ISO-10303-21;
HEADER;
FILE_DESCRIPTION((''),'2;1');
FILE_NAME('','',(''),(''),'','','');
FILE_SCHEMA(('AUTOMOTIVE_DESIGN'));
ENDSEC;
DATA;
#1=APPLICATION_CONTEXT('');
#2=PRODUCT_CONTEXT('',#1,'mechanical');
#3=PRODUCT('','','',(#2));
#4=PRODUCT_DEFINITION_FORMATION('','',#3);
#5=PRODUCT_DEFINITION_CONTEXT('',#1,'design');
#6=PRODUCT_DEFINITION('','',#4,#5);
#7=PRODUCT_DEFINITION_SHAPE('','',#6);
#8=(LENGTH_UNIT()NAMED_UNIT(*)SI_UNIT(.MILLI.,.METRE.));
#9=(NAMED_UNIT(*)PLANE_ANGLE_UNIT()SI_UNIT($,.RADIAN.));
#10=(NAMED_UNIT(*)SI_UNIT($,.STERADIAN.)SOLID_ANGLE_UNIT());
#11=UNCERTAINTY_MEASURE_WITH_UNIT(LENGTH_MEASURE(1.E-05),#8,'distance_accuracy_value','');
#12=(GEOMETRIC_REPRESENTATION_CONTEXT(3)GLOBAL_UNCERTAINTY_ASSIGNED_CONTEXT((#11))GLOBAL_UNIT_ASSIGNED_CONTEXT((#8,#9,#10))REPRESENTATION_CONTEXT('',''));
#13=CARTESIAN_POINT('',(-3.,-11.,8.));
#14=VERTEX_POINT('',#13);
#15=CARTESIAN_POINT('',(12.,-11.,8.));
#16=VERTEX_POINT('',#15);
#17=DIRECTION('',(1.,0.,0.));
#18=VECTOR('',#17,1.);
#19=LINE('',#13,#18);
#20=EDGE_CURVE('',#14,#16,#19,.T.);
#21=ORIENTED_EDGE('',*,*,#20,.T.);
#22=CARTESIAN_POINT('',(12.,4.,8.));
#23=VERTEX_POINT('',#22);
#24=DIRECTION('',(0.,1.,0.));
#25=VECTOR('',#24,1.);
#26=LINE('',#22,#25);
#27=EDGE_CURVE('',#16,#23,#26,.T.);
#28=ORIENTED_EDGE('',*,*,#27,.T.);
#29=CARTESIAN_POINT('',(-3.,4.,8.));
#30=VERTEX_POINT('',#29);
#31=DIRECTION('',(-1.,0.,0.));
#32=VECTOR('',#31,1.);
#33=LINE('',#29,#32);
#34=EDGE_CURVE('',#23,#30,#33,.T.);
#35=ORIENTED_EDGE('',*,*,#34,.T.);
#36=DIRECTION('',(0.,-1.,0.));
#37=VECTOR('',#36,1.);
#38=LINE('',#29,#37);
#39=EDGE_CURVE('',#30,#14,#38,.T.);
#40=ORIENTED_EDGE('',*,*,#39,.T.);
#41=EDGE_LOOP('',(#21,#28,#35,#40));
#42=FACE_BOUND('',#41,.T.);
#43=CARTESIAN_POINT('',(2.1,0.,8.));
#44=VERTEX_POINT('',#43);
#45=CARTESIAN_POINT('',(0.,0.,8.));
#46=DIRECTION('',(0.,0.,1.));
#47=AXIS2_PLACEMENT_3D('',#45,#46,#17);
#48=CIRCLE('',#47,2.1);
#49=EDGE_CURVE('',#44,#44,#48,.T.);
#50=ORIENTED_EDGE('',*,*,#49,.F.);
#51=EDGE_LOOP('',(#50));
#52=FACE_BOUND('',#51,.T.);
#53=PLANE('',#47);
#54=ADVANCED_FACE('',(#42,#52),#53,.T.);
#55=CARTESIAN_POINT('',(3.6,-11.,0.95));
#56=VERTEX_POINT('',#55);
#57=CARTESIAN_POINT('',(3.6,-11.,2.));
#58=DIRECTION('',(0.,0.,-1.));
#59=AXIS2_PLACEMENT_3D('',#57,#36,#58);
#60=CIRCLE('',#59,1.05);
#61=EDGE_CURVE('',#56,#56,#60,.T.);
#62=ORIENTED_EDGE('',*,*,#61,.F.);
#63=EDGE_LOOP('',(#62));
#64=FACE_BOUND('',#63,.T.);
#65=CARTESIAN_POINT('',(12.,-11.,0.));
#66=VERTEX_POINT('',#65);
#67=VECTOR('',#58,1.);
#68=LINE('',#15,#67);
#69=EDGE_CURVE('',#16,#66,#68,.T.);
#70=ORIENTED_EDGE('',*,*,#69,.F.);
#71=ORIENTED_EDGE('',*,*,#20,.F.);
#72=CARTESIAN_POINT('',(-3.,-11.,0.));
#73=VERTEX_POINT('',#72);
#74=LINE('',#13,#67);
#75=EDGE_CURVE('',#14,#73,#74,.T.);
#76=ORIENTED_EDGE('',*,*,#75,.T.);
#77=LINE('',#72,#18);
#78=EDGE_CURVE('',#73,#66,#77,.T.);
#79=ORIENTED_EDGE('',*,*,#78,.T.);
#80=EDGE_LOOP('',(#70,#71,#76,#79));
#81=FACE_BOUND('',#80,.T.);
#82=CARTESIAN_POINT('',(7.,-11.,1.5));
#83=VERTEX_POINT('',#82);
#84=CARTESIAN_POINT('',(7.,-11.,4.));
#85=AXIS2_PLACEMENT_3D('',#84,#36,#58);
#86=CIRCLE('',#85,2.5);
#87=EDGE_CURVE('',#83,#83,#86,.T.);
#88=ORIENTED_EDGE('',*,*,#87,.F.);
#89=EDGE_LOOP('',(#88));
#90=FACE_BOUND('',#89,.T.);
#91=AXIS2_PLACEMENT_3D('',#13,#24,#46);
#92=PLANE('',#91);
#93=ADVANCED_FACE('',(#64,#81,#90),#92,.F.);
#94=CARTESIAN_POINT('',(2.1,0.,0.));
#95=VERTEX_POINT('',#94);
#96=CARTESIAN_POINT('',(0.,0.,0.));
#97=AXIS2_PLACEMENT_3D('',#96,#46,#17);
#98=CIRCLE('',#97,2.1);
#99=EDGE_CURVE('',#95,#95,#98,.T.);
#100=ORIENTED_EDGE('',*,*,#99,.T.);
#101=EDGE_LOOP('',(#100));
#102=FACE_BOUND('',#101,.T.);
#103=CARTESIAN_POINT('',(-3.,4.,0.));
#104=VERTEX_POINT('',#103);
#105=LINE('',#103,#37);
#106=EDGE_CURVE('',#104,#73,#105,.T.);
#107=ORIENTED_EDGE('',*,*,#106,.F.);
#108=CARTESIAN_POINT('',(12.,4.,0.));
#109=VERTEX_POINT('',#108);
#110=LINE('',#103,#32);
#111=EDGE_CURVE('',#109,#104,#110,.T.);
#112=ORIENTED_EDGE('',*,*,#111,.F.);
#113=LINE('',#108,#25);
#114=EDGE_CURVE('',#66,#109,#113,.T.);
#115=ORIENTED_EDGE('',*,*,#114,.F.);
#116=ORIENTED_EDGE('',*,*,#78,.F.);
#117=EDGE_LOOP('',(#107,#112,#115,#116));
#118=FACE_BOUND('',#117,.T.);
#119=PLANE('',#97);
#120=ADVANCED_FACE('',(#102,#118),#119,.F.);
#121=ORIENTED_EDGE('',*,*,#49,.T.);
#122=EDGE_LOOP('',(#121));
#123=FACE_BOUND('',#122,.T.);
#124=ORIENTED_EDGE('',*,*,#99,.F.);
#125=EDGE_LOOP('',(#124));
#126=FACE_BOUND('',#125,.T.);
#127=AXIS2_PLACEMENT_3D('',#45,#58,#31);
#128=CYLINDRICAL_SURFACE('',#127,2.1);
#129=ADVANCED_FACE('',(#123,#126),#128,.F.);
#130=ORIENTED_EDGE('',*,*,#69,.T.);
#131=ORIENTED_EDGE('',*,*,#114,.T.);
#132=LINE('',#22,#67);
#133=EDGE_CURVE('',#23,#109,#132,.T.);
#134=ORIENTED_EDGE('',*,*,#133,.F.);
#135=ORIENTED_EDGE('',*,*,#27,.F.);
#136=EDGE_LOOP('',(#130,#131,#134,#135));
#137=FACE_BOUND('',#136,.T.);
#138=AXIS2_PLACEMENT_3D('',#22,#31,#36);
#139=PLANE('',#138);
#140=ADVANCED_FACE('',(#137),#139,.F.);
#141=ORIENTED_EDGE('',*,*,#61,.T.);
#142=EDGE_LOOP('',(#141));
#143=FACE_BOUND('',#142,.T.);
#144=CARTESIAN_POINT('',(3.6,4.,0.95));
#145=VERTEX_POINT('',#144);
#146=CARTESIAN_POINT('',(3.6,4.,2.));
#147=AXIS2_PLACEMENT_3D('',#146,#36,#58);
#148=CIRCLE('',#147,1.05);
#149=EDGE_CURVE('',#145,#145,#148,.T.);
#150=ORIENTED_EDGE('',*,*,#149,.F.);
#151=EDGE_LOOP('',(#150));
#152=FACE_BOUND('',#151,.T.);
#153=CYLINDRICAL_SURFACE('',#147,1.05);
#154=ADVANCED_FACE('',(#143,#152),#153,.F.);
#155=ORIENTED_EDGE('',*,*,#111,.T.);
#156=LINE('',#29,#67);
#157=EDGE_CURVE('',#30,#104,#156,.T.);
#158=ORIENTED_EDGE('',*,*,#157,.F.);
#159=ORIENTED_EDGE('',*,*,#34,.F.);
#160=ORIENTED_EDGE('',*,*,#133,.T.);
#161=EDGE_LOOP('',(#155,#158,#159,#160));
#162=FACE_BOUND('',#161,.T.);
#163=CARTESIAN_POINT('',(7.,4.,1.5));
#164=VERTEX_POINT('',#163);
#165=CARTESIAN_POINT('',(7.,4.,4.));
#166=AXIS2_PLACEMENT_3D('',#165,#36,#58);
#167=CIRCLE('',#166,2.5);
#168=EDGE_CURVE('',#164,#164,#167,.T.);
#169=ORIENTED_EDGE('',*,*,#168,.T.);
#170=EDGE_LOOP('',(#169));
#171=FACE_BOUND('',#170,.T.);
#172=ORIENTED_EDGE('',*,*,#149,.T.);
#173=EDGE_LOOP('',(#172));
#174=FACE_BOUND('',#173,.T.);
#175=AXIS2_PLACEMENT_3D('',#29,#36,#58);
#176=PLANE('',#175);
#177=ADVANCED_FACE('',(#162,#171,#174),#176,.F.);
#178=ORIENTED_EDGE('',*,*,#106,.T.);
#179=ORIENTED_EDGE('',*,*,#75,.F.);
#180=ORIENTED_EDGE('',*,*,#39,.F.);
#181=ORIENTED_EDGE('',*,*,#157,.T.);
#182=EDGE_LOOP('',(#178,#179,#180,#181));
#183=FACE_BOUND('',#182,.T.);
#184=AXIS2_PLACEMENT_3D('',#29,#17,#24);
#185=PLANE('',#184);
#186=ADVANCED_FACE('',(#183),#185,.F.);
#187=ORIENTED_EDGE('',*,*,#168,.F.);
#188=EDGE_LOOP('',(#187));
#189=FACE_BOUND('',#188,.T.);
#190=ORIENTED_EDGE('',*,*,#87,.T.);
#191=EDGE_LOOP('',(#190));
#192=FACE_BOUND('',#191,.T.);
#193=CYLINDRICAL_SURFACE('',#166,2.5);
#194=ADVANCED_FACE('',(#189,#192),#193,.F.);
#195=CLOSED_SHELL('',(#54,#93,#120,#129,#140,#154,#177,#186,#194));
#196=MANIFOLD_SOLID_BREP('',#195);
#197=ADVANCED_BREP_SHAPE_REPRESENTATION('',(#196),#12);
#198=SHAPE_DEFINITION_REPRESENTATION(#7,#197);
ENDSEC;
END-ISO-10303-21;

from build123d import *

# Parameters (mm, degrees)
SKETCH1_W           = 15
SKETCH1_H           = 15
SKETCH1_R           = 2.1
BOSS_EXTRUDE1_DEPTH = 8
SKETCH2_R           = 2.5
CUT_EXTRUDE1_DEPTH  = 16
SKETCH3_R           = 1.05
CUT_EXTRUDE2_DEPTH  = 16


with BuildPart() as part:
    # Sketch1 → Boss-Extrude1 (new body)
    with BuildSketch(Plane.XY):
        with Locations((4.5, -3.5)):
            Rectangle(SKETCH1_W, SKETCH1_H)
        Circle(SKETCH1_R, mode=Mode.SUBTRACT)
    extrude(amount=BOSS_EXTRUDE1_DEPTH)

    # Sketch2 → Cut-Extrude1 (cut, through all)
    with BuildSketch(Plane.XZ.offset(11)):
        with Locations((7, 4)):
            Circle(SKETCH2_R)
    extrude(amount=-CUT_EXTRUDE1_DEPTH, mode=Mode.SUBTRACT)

    # Sketch3 → Cut-Extrude2 (cut, through all)
    with BuildSketch(Plane.XZ.offset(11)):
        with Locations((3.6, 2)):
            Circle(SKETCH3_R)
    extrude(amount=-CUT_EXTRUDE2_DEPTH, mode=Mode.SUBTRACT)


solid = part.part
